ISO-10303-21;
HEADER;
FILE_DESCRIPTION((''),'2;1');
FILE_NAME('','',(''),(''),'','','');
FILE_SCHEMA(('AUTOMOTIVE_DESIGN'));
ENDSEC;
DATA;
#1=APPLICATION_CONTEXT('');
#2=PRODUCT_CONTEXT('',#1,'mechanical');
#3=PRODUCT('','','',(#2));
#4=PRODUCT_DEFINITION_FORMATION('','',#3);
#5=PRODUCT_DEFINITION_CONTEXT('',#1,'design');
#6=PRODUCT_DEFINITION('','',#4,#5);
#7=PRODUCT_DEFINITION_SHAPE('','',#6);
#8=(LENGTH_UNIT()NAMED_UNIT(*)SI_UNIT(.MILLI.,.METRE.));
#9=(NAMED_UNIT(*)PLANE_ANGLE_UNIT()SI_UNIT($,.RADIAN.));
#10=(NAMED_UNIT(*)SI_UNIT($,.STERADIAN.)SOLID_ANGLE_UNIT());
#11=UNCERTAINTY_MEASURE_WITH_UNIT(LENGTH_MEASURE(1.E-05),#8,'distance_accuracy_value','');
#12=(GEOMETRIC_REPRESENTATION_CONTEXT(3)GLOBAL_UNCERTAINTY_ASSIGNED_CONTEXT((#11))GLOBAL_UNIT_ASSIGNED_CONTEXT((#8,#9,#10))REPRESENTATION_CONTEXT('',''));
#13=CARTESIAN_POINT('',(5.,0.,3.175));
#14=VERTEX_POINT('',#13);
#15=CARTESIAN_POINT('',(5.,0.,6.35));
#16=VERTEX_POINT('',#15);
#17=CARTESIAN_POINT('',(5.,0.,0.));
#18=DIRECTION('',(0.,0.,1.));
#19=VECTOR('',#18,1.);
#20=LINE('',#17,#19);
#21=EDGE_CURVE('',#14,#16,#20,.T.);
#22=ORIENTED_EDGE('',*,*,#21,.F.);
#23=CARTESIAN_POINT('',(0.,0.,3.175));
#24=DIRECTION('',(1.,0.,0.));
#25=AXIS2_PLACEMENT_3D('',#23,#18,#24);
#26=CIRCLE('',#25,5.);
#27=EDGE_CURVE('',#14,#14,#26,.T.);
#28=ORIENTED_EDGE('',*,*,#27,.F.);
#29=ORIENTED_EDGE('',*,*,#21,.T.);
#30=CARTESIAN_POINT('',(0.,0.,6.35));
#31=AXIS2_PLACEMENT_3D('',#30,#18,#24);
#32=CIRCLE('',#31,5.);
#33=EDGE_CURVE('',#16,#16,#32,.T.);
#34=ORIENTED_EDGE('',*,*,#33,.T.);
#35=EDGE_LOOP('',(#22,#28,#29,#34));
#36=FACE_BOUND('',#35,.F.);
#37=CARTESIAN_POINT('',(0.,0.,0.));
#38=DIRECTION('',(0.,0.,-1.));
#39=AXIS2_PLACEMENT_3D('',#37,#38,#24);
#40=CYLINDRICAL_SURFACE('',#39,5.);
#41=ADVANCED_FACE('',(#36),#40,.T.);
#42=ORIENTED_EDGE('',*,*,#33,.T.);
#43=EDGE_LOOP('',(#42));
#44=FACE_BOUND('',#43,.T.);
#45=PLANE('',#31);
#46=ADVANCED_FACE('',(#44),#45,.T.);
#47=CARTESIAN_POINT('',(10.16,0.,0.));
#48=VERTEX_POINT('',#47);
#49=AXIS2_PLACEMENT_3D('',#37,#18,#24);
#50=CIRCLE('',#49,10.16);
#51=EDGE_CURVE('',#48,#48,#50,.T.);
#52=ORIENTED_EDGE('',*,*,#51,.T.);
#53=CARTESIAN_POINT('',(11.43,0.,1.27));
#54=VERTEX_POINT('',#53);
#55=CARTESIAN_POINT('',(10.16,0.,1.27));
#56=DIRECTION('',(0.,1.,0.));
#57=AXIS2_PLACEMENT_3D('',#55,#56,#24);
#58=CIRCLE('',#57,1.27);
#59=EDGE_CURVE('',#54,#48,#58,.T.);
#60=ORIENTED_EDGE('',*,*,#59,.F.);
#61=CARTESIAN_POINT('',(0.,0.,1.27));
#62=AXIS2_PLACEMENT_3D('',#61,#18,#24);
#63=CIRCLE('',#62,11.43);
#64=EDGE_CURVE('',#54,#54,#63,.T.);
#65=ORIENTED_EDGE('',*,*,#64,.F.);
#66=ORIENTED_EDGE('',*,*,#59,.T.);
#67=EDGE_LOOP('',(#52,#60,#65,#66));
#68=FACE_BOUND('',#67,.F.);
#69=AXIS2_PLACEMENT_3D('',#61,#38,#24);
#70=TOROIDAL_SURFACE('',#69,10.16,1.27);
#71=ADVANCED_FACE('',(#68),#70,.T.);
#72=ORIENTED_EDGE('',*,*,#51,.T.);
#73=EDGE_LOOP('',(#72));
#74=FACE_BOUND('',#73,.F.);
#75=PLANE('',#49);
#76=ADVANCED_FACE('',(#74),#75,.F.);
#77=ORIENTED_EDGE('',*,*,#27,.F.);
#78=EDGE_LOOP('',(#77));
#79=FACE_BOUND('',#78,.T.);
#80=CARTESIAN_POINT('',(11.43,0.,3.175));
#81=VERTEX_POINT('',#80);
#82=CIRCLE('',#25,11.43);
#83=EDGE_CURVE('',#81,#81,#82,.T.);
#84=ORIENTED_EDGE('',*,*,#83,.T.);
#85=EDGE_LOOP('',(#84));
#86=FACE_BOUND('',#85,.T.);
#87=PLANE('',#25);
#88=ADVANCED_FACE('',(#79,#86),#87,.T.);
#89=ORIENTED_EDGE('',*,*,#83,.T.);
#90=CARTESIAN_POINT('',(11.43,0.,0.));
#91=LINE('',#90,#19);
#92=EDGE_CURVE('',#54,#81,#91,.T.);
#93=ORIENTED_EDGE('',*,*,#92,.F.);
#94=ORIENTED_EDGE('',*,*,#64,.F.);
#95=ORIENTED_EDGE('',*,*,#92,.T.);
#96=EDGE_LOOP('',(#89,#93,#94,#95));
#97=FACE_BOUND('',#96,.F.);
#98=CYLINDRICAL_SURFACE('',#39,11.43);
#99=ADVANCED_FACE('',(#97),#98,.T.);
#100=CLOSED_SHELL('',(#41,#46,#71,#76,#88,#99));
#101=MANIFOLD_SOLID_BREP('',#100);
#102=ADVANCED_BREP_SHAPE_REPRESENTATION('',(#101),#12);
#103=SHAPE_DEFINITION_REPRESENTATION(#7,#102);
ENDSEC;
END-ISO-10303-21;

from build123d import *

# Parameters (mm, degrees)
F0_R     = 5
F1_DEPTH = 6.35
F0_R_2   = 11.43
F2_DEPTH = 3.175
F3_R     = 1.27


with BuildPart() as f1:
    # F0 (on Top) → F1 (new body)
    with BuildSketch(Plane.XY):
        Circle(F0_R)
    extrude(amount=F1_DEPTH)

    # F0 (on Top) → F2 (join)
    with BuildSketch(Plane.XY):
        Circle(F0_R_2)
        Circle(F0_R, mode=Mode.SUBTRACT)
    extrude(amount=F2_DEPTH)

    # F3
    f3_edges = [f1.edges().sort_by_distance(p)[0] for p in [
        (-11.43, 0, 0),
    ]]
    fillet(f3_edges, radius=F3_R)


solid = f1.part
